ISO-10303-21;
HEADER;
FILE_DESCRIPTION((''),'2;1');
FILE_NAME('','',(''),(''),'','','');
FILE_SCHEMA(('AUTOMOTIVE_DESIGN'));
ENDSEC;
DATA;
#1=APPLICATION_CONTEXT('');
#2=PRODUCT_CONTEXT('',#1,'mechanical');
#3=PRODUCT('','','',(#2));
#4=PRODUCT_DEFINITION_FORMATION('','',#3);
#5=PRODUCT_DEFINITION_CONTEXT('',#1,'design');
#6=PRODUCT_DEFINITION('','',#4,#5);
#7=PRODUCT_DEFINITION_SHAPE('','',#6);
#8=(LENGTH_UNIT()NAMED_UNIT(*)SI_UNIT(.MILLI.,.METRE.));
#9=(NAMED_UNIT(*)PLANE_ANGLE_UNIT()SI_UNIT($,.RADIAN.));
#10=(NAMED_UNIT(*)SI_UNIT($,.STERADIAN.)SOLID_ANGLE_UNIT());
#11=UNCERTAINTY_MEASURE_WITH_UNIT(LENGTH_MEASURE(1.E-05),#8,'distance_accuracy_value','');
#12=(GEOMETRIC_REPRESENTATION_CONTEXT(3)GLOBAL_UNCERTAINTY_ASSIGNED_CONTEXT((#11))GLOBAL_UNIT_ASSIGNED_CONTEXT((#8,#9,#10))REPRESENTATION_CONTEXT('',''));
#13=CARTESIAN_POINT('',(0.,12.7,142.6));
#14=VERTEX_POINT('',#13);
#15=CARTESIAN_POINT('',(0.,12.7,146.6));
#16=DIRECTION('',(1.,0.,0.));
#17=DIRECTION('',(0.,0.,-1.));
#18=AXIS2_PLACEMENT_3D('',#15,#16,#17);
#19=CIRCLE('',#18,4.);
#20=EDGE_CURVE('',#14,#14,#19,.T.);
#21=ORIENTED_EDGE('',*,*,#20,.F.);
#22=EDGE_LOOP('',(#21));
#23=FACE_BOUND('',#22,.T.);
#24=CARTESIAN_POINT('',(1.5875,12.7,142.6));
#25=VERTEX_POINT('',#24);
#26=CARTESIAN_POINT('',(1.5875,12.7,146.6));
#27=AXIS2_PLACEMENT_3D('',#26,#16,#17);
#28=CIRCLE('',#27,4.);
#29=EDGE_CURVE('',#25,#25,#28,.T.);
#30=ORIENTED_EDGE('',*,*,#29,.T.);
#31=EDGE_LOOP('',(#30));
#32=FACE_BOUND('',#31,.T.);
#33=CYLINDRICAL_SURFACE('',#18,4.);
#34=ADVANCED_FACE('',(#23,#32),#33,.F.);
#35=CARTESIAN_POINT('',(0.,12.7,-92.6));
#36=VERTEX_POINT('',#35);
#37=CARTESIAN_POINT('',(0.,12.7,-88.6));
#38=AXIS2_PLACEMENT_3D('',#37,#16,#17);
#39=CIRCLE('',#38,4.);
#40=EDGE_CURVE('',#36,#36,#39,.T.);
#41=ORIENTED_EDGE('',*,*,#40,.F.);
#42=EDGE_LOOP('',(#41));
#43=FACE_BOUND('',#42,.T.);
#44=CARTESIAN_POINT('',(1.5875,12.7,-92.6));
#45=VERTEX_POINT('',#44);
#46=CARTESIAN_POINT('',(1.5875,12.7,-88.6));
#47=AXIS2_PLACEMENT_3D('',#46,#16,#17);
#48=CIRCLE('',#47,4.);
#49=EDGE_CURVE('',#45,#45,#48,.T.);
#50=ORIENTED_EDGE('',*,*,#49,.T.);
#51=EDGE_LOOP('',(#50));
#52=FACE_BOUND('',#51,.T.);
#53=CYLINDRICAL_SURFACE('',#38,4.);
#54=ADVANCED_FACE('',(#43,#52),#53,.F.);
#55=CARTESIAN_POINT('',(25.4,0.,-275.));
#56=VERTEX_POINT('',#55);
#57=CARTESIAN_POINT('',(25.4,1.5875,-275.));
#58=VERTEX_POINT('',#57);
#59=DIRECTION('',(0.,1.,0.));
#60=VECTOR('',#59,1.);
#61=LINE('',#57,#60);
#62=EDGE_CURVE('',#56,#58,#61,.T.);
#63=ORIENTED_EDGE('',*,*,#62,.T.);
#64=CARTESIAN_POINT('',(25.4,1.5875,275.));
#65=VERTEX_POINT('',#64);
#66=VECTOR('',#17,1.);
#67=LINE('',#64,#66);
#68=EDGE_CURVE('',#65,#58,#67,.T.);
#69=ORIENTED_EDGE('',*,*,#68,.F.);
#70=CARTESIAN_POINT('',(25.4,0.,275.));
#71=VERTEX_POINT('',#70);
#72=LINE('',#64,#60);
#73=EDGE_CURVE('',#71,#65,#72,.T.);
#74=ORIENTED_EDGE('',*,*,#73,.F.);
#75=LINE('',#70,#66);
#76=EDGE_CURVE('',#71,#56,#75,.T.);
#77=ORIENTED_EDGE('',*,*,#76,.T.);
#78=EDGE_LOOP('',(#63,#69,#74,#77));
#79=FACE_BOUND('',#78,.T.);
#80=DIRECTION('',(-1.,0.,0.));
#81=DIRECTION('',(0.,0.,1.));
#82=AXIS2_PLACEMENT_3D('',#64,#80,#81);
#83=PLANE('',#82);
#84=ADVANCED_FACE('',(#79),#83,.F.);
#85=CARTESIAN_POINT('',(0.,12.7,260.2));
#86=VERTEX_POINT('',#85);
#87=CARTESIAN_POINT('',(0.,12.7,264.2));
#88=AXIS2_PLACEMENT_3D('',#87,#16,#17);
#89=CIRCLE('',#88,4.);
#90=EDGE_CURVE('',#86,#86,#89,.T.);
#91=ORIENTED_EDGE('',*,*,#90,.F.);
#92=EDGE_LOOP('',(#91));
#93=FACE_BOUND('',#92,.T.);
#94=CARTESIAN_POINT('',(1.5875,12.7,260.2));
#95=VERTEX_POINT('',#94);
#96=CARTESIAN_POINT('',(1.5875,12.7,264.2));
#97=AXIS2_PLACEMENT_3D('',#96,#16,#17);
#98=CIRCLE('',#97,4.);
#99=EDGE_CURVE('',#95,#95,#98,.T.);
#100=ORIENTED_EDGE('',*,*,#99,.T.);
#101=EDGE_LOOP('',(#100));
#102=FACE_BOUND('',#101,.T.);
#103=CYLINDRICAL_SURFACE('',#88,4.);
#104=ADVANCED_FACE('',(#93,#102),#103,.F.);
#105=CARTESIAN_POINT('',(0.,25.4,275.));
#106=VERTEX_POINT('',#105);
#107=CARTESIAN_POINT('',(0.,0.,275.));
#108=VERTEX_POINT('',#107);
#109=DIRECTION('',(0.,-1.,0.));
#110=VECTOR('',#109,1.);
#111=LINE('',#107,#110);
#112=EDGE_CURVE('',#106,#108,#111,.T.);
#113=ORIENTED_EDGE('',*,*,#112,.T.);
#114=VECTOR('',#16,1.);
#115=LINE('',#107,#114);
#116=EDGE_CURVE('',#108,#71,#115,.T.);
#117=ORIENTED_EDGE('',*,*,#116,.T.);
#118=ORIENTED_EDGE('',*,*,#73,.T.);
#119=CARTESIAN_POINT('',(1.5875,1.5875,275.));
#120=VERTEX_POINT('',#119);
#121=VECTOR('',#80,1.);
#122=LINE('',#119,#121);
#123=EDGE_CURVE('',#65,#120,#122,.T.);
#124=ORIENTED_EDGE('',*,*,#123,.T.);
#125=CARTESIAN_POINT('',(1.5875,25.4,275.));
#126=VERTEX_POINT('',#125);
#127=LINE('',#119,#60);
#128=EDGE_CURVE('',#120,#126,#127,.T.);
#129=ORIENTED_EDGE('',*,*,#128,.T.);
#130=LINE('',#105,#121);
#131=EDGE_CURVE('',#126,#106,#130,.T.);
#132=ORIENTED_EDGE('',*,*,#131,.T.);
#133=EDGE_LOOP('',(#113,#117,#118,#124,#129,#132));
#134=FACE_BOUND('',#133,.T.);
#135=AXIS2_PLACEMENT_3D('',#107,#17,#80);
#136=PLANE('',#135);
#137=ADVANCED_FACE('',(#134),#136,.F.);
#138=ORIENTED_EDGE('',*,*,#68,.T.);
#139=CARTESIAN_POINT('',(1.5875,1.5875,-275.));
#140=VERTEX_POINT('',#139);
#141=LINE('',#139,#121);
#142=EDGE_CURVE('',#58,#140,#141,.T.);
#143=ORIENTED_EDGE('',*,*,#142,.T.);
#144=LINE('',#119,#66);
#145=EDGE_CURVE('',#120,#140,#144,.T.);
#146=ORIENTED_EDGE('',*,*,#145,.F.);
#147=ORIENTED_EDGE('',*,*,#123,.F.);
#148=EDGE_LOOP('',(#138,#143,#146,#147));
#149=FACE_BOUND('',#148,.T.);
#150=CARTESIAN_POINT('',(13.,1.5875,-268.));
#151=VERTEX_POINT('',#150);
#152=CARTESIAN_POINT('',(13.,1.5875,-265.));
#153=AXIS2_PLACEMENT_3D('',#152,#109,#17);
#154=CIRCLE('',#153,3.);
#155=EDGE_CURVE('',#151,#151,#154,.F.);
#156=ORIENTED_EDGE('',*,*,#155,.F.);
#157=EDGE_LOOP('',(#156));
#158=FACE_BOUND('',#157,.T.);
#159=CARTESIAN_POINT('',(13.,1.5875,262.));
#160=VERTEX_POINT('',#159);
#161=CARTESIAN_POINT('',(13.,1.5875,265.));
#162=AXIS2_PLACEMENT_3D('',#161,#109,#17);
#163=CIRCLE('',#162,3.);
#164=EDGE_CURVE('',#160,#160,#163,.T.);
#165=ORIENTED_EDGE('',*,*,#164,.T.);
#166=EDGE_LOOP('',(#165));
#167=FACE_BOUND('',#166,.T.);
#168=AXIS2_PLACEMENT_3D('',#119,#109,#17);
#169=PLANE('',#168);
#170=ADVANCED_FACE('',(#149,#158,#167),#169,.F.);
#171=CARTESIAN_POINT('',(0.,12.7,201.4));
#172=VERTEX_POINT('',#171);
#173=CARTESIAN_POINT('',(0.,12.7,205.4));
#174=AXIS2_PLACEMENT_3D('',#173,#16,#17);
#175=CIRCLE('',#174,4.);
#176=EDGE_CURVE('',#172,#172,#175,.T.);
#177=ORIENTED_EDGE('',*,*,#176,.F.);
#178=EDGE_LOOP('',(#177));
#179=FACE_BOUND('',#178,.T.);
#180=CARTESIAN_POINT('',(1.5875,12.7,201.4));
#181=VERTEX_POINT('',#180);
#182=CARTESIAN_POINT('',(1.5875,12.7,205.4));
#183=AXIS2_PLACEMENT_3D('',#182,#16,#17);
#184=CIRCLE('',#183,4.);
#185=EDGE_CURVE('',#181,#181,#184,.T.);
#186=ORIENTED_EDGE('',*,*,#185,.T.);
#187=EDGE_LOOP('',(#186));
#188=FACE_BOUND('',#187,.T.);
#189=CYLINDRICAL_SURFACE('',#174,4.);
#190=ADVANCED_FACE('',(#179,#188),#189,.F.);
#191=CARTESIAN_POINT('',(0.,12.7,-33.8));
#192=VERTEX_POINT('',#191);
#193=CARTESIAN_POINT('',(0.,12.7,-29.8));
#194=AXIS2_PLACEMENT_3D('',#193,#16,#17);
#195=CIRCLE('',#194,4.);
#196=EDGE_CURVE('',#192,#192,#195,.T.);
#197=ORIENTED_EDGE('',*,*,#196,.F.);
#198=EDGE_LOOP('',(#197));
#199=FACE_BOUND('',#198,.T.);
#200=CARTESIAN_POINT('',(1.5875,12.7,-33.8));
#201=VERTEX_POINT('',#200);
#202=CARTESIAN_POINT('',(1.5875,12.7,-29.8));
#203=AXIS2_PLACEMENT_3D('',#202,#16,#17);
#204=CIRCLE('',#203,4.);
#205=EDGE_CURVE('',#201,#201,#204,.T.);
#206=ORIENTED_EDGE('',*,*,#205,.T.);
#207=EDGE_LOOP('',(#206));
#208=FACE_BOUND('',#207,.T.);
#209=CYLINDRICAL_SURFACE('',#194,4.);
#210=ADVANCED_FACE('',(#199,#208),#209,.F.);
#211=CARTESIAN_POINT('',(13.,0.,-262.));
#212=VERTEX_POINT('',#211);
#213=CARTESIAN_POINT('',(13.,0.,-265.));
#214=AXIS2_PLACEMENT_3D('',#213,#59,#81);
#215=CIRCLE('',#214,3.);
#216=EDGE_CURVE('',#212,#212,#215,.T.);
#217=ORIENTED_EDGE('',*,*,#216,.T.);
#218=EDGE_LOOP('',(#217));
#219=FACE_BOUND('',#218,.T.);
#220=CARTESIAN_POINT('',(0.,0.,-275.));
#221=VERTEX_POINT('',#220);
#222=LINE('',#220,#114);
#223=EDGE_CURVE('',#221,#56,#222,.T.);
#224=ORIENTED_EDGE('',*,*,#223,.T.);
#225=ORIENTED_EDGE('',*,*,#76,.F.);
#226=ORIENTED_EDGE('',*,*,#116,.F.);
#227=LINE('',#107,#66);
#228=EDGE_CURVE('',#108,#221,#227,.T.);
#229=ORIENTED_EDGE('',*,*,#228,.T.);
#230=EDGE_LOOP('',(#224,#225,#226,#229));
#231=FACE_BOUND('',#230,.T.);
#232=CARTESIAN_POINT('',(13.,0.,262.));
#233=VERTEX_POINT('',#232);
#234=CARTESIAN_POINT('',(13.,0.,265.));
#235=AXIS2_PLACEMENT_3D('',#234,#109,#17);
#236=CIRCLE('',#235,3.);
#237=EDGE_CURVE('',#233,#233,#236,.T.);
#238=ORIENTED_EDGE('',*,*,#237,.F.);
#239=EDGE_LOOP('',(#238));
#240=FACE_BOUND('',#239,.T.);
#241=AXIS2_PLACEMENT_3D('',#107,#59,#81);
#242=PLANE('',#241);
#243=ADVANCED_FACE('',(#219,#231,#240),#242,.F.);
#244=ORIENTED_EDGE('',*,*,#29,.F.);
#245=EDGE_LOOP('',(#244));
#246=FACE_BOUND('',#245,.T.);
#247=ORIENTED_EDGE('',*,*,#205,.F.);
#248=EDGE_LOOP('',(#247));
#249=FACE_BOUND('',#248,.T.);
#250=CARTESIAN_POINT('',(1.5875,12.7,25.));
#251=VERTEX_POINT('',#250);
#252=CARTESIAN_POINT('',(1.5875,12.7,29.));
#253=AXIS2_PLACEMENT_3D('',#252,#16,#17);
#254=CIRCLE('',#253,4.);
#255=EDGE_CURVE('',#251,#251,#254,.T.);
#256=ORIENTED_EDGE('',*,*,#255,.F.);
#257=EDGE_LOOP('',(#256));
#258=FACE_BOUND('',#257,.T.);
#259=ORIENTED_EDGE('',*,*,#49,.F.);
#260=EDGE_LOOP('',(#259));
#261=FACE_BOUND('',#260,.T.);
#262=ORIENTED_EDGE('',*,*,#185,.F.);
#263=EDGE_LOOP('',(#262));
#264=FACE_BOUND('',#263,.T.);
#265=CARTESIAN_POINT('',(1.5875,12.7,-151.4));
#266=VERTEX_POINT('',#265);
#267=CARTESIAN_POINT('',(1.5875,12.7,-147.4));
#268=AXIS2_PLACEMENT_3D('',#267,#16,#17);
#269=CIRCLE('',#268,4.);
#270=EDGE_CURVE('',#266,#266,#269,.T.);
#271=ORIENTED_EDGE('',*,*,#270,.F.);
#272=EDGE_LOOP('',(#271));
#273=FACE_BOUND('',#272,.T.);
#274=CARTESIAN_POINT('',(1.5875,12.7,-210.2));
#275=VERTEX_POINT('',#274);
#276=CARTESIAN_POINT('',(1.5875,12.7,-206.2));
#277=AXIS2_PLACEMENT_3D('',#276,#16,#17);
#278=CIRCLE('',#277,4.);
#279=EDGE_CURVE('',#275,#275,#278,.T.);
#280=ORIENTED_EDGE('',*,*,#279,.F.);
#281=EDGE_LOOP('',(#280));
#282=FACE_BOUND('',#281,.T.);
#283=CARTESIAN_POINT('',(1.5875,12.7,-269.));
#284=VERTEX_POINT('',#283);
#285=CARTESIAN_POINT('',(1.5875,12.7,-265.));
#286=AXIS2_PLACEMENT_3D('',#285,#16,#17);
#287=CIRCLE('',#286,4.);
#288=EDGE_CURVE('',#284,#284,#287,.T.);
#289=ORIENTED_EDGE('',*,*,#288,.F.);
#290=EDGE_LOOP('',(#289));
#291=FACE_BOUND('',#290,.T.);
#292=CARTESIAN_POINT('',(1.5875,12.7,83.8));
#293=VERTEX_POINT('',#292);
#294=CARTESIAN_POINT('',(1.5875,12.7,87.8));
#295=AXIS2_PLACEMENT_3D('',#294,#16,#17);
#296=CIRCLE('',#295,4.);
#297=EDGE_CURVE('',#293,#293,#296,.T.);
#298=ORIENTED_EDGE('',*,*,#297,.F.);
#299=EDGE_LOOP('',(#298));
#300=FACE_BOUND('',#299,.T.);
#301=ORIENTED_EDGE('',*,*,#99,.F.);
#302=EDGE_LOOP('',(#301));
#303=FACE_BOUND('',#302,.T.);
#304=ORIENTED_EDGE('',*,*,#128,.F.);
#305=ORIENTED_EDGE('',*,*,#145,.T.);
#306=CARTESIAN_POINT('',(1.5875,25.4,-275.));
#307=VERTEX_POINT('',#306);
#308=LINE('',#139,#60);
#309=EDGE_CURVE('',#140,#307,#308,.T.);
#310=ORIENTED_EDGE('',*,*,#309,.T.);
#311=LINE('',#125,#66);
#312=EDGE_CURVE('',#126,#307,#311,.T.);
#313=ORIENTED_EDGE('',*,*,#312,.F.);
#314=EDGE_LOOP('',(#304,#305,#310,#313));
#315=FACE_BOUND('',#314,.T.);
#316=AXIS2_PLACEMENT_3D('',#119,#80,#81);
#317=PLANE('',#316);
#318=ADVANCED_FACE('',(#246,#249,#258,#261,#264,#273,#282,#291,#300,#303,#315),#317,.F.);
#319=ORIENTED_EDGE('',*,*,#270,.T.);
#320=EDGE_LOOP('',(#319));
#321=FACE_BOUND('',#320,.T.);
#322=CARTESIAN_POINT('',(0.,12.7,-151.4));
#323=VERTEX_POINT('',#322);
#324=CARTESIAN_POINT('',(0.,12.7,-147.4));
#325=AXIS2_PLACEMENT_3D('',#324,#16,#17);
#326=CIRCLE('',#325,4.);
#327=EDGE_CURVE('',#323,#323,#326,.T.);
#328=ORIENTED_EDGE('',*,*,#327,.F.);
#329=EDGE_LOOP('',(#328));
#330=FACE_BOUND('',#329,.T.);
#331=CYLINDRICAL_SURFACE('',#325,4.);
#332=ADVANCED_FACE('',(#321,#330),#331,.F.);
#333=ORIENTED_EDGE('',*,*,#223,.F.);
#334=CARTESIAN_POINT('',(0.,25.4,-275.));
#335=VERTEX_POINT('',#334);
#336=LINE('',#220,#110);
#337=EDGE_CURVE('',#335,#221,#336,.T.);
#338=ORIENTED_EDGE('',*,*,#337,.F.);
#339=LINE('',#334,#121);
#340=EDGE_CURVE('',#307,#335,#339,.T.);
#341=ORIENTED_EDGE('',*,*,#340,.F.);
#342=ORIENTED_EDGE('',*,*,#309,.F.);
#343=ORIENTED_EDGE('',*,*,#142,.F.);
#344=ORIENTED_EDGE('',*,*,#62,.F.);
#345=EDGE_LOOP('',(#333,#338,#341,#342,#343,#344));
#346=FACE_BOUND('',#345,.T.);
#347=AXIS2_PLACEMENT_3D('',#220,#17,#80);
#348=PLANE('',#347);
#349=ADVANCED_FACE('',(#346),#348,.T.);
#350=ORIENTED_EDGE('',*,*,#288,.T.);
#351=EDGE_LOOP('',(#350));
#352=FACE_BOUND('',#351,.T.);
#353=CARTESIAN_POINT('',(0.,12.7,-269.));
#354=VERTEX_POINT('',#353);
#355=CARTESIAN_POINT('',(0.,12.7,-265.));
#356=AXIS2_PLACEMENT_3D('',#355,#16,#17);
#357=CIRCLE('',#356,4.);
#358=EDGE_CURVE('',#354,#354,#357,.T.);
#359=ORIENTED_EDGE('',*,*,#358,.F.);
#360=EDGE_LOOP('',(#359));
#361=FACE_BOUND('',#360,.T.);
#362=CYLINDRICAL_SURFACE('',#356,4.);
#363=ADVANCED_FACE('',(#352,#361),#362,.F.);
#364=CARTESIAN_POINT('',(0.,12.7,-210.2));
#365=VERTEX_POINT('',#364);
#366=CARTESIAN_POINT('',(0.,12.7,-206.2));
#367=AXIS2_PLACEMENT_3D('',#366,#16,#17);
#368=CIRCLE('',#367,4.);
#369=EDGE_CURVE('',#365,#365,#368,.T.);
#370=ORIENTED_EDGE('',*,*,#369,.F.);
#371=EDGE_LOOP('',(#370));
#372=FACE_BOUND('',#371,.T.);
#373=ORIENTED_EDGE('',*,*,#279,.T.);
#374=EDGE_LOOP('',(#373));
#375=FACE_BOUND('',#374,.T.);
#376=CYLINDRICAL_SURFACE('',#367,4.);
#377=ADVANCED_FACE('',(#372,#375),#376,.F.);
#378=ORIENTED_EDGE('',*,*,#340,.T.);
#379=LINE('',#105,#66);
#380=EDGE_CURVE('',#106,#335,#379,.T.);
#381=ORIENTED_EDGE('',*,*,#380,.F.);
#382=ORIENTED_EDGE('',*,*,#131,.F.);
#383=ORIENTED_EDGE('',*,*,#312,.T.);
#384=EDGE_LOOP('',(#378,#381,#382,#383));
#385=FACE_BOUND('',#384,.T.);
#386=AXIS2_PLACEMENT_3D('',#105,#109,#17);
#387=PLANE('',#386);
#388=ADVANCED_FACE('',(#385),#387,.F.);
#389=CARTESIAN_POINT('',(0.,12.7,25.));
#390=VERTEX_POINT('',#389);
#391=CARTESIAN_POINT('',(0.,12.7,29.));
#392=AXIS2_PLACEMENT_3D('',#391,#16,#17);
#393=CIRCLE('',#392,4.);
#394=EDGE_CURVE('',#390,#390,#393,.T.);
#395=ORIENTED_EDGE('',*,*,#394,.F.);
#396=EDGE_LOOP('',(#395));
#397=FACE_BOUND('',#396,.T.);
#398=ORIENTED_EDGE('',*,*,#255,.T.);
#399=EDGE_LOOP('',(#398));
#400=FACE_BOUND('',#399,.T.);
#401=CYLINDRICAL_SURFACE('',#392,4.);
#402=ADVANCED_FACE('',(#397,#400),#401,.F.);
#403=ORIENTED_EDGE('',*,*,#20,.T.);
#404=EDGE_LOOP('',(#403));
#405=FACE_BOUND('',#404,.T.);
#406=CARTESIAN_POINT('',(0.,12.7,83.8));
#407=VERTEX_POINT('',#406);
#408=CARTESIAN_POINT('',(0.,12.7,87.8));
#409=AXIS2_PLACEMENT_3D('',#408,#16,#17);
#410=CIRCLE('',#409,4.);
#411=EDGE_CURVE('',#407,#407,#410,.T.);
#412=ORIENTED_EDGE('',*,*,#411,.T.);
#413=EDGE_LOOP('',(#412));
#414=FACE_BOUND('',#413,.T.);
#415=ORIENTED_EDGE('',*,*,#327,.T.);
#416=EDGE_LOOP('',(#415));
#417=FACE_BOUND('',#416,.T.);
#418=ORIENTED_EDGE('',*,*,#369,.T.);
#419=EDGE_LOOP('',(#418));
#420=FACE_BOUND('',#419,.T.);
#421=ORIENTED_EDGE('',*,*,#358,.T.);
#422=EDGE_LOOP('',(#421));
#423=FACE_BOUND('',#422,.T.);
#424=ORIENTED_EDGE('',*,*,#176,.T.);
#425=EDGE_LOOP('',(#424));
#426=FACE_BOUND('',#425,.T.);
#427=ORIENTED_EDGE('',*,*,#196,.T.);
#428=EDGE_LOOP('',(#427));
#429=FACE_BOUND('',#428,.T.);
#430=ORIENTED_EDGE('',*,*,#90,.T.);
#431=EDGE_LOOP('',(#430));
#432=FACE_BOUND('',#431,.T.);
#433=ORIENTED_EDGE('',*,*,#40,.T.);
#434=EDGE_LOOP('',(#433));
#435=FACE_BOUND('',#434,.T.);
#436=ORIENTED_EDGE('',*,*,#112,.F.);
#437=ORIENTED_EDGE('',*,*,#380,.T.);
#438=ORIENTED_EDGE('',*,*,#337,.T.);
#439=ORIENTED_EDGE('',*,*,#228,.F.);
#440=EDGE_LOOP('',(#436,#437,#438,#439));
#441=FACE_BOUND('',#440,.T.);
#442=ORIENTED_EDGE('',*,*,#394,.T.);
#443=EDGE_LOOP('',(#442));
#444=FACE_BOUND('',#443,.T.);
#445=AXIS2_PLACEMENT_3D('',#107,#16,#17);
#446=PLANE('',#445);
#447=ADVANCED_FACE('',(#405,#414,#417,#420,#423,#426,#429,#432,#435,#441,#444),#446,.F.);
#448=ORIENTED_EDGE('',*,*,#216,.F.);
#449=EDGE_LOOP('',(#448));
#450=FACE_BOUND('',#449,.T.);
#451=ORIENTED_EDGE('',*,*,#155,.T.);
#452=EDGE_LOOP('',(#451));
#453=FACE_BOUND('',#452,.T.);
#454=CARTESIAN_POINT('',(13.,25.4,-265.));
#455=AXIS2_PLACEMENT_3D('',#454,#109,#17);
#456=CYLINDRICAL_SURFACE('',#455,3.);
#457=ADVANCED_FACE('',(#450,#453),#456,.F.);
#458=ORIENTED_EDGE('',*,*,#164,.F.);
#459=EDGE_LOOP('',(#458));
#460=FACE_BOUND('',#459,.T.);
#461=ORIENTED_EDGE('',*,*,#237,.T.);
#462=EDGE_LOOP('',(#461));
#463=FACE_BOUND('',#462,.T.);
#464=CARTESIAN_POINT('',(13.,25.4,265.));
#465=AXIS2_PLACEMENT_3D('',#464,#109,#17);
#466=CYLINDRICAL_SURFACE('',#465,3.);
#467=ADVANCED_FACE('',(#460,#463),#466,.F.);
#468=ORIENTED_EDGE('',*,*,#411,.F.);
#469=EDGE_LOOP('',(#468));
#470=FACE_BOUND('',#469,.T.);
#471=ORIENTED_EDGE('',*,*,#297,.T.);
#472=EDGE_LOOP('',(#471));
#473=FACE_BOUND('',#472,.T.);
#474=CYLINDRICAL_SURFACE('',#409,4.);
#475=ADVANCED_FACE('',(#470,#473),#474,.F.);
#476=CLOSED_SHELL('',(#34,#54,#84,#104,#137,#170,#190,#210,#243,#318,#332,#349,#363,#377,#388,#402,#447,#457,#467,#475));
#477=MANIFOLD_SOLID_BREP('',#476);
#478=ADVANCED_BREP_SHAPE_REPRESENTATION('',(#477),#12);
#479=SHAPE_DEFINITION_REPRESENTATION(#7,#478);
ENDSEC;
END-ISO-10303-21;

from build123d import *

# Parameters (mm, degrees)
BOSS_EXTRUDE1_DEPTH = 275
SKETCH2_R           = 4
CUT_EXTRUDE1_DEPTH  = 2.5875
CUT_EXTRUDE2_START  = -2.5875
SKETCH3_R           = 3
CUT_EXTRUDE2_DEPTH  = 27.4


with BuildPart() as part:
    # Sketch1 → Boss-Extrude1 (new body, symmetric)
    with BuildSketch(Plane.XY):
        Polygon((0, 0), (0, 25.4), (1.5875, 25.4), (1.5875, 1.5875), (25.4, 1.5875), (25.4, 0), align=None)
    extrude(amount=BOSS_EXTRUDE1_DEPTH, both=True)

    # Sketch2 → Cut-Extrude1 (cut, through all)
    with BuildSketch(Plane(origin=(1.5875, 0, 0), x_dir=(0, 0, -1), z_dir=(1, 0, 0))):
        with Locations((265, 12.7)):
            Circle(SKETCH2_R)
        with Locations((206.2, 12.7)):
            Circle(SKETCH2_R)
        with Locations((147.4, 12.7)):
            Circle(SKETCH2_R)
        with Locations((88.6, 12.7)):
            Circle(SKETCH2_R)
        with Locations((29.8, 12.7)):
            Circle(SKETCH2_R)
        with Locations((-29, 12.7)):
            Circle(SKETCH2_R)
        with Locations((-87.8, 12.7)):
            Circle(SKETCH2_R)
        with Locations((-146.6, 12.7)):
            Circle(SKETCH2_R)
        with Locations((-205.4, 12.7)):
            Circle(SKETCH2_R)
        with Locations((-264.2, 12.7)):
            Circle(SKETCH2_R)
    extrude(amount=-CUT_EXTRUDE1_DEPTH, mode=Mode.SUBTRACT)

    # Sketch3 → Cut-Extrude2 (cut)
    with BuildSketch(Plane(origin=(0, 1.5875, 0), x_dir=(1, 0, 0), z_dir=(0, 1, 0)).offset(CUT_EXTRUDE2_START)):
        with Locations((13, 265)):
            Circle(SKETCH3_R)
    cut_extrude2 = extrude(amount=CUT_EXTRUDE2_DEPTH, mode=Mode.SUBTRACT)

    # Mirror1: Cut-Extrude2 across plane
    add(cut_extrude2.mirror(Plane.XY), mode=Mode.SUBTRACT)


solid = part.part
